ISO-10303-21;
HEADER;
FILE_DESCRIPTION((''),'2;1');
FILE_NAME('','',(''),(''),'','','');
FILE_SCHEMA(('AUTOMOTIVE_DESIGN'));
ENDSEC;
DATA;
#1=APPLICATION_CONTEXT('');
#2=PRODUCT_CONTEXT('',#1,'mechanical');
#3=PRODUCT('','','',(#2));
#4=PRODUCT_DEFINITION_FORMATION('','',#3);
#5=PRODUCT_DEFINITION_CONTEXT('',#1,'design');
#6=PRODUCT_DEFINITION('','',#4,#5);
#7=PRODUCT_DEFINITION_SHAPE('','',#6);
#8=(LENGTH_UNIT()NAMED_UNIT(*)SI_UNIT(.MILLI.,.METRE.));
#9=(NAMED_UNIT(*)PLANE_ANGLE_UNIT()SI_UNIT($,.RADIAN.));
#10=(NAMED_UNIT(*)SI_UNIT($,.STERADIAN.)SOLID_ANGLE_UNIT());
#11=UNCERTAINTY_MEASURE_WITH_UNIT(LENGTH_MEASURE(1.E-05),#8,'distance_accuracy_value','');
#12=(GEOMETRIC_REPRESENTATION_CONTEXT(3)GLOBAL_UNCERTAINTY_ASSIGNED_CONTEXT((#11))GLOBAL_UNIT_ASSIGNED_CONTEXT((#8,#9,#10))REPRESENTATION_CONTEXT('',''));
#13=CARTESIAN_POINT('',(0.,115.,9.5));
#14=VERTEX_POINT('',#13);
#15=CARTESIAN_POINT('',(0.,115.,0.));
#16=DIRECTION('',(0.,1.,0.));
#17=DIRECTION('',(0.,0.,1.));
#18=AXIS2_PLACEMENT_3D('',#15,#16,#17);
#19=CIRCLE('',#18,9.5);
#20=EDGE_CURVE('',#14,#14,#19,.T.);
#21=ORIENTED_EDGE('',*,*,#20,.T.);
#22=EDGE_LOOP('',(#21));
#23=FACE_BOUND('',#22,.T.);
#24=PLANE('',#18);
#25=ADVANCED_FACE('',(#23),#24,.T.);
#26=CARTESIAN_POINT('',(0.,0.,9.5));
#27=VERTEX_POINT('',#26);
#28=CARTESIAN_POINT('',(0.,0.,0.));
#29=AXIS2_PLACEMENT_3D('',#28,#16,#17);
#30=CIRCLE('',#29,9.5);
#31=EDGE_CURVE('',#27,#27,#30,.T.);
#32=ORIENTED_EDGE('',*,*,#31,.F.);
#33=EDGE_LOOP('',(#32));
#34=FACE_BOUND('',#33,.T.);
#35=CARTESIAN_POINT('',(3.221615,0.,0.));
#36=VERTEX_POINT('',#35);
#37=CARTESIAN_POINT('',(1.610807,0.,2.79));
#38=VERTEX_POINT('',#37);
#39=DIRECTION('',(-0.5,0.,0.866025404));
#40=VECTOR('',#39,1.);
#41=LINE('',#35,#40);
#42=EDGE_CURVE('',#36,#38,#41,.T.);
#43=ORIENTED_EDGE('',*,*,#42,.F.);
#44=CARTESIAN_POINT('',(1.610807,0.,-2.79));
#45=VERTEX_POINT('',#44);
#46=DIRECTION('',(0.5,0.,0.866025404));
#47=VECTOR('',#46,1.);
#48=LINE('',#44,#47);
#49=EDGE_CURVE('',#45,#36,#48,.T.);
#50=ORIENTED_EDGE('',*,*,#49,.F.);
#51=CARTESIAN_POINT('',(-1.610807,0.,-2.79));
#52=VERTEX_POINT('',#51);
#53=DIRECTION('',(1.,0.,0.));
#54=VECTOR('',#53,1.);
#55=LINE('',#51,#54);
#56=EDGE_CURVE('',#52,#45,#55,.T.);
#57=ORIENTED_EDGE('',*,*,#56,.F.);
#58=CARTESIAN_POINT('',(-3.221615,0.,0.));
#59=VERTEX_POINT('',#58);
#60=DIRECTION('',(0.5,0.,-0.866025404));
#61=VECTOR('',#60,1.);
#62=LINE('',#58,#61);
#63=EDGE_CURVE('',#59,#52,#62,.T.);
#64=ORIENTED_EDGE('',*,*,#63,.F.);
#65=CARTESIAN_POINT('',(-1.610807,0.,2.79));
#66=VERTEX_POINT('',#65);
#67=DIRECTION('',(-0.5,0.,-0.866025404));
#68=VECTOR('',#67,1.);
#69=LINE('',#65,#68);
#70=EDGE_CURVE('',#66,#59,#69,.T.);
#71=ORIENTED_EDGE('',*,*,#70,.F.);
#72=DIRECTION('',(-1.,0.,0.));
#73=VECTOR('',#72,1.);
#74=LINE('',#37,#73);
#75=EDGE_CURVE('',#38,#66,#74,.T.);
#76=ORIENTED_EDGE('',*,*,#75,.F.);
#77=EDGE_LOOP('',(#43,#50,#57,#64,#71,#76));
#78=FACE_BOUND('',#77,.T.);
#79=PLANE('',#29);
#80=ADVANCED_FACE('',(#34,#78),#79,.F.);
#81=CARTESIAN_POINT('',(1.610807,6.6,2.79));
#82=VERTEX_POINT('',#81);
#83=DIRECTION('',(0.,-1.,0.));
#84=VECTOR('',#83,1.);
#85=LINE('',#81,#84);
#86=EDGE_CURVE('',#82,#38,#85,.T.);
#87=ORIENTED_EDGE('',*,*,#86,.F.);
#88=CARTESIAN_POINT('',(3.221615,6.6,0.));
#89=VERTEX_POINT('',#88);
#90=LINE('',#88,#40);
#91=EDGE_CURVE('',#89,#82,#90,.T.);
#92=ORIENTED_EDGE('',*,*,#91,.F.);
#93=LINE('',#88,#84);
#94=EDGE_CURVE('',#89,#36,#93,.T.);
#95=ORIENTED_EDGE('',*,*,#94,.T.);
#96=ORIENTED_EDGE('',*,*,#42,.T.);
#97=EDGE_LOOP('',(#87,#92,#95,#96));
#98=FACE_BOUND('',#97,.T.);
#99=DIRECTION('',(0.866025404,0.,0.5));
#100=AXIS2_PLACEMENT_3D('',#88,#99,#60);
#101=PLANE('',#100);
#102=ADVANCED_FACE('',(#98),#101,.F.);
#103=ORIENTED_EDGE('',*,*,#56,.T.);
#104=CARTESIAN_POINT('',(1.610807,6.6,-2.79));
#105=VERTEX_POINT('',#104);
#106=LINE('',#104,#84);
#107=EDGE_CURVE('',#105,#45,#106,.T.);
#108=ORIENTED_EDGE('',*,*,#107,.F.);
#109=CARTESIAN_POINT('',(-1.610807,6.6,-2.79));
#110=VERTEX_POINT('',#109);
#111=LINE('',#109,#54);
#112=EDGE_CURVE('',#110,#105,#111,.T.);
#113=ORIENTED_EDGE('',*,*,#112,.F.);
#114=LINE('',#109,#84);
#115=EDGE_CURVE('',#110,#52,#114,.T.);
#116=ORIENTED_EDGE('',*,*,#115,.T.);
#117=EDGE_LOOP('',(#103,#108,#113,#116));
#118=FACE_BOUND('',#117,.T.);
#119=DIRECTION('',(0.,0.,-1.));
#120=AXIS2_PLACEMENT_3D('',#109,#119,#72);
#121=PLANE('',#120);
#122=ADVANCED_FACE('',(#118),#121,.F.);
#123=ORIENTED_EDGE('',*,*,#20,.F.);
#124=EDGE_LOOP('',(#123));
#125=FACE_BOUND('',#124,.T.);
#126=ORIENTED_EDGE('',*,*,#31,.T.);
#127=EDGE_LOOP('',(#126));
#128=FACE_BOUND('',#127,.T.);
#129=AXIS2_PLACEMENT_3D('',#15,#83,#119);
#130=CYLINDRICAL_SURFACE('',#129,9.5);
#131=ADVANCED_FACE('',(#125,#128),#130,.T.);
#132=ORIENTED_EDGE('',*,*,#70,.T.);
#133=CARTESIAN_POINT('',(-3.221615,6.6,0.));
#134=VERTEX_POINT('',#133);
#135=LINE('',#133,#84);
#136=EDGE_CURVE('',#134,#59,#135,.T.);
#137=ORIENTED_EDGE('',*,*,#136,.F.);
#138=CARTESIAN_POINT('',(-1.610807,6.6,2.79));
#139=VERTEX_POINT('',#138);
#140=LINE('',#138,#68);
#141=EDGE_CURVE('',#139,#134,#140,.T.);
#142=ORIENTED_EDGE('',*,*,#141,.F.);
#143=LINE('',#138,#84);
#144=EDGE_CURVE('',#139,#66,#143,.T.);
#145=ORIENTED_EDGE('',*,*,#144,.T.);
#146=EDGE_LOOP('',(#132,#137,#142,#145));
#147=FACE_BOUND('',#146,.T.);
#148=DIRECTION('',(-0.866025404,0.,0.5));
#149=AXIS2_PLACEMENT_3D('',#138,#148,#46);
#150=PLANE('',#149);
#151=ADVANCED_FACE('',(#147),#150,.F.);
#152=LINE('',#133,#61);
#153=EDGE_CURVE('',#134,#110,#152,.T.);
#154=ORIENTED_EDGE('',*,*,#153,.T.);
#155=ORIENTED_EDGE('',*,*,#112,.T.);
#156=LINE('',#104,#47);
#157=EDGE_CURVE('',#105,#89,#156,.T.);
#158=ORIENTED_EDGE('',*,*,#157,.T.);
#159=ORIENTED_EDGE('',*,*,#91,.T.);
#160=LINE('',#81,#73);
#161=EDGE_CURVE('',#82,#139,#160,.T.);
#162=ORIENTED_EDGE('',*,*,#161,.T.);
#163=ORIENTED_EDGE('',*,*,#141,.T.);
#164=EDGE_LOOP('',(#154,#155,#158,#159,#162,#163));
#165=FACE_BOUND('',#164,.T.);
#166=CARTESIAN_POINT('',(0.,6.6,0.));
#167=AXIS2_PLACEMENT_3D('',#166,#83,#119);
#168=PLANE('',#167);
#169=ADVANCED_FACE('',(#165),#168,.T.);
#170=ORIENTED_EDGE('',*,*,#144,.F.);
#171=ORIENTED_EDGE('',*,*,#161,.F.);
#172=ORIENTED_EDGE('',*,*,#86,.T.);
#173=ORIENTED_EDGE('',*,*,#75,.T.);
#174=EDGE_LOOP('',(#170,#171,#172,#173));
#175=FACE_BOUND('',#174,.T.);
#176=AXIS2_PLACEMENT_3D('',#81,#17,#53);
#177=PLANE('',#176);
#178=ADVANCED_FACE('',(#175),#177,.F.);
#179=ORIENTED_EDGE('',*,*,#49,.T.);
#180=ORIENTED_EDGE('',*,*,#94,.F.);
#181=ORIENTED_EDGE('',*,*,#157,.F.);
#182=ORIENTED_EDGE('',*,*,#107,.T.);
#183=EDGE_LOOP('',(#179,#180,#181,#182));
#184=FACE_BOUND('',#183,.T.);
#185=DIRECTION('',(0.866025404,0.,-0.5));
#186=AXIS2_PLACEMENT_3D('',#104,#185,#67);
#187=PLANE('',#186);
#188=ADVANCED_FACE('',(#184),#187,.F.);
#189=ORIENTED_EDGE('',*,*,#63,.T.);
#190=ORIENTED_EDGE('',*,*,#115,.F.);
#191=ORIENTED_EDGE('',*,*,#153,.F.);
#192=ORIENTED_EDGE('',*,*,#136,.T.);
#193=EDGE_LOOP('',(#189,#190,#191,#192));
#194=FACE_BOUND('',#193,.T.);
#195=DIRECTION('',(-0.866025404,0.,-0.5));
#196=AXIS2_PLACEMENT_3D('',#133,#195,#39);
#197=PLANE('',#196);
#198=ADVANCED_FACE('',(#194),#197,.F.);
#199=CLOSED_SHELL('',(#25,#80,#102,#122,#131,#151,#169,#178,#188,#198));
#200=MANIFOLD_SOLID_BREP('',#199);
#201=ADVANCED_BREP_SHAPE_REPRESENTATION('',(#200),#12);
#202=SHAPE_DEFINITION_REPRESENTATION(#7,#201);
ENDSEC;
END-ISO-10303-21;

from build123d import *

# Parameters (mm, degrees)
SKETCH1_R           = 9.5
BOSS_EXTRUDE1_DEPTH = 115
CUT_EXTRUDE1_DEPTH  = 6.6


with BuildPart() as part:
    # Sketch1 → Boss-Extrude1 (new body)
    with BuildSketch(Plane(origin=(0, 0, 0), x_dir=(1, 0, 0), z_dir=(0, 1, 0))):
        Circle(SKETCH1_R)
    extrude(amount=BOSS_EXTRUDE1_DEPTH)

    # Sketch2 → Cut-Extrude1 (cut)
    with BuildSketch(Plane.XZ):
        Polygon((1.610807251, 2.79), (-1.610807251, 2.79), (-3.221614502, 0), (-1.610807251, -2.79), (1.610807251, -2.79), (3.221614502, 0), align=None)
    extrude(amount=-CUT_EXTRUDE1_DEPTH, mode=Mode.SUBTRACT)


solid = part.part
